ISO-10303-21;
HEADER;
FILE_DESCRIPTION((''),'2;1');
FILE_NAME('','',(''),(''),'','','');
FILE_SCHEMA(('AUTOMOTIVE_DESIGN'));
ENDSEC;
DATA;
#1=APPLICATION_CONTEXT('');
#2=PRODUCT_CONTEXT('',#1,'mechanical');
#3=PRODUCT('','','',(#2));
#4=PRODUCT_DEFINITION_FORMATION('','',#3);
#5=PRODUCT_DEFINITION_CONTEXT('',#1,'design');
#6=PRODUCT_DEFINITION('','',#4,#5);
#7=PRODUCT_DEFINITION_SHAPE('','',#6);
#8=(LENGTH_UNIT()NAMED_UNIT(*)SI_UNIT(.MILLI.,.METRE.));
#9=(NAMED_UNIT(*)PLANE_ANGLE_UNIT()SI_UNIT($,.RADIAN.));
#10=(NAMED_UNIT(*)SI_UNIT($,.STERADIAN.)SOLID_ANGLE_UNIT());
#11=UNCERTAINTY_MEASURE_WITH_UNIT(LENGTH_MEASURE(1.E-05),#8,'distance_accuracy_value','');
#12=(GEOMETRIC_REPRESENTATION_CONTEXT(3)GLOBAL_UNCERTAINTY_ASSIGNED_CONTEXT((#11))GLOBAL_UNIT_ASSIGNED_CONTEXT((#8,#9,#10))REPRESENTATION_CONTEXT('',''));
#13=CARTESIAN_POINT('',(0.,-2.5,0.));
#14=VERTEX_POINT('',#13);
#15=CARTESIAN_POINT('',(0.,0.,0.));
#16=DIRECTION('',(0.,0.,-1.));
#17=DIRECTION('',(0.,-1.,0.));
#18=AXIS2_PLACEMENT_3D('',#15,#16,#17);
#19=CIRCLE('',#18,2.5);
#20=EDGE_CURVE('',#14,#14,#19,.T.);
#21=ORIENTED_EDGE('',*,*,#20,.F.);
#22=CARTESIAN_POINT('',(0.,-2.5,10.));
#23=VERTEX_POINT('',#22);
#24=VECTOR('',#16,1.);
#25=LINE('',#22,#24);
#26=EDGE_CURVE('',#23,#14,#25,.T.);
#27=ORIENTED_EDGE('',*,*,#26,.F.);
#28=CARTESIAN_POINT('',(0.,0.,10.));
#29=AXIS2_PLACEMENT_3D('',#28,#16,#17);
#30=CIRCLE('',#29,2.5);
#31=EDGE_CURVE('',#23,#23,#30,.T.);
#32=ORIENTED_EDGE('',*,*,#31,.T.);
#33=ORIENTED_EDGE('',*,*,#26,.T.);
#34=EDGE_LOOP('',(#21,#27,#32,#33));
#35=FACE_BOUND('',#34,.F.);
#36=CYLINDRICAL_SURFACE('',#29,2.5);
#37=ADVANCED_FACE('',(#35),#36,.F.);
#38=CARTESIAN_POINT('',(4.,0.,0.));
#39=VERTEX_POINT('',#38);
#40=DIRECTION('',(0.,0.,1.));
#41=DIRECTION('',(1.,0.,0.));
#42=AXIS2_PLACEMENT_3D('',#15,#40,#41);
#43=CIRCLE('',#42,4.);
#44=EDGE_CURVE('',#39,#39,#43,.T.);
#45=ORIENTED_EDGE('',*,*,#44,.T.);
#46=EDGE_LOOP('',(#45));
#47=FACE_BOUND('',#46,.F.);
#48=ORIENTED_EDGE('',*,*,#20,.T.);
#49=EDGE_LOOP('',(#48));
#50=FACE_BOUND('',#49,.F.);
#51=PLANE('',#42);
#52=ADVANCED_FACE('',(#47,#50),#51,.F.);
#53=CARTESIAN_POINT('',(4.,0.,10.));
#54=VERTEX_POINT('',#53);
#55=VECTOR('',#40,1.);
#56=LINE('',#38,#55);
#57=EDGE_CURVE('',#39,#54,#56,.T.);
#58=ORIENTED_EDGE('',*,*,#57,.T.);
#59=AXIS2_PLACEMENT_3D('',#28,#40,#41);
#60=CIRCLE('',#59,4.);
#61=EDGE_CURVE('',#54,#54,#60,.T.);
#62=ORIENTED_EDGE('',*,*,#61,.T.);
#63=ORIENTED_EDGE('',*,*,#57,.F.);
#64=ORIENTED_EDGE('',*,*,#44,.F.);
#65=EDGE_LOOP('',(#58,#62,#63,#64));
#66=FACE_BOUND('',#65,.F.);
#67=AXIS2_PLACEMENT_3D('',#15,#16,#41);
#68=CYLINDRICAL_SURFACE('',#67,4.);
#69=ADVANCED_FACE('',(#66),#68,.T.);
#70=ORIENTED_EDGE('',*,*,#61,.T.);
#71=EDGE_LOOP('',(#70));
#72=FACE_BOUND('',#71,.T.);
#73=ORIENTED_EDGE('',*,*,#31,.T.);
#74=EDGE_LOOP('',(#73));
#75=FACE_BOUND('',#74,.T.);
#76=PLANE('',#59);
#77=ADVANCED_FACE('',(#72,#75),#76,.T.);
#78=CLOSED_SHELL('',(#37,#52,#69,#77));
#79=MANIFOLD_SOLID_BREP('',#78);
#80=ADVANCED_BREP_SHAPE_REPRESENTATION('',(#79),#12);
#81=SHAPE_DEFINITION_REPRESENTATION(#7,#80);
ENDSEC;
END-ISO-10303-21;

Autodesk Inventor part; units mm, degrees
ref_plane "YZ Plane" through (0, 0, 0) normal (1, 0, 0) x (0, 1, 0)
ref_plane "XZ Plane" through (0, 0, 0) normal (0, 1, 0) x (-1, 0, 0)
ref_plane "XY Plane" through (0, 0, 0) normal (0, 0, 1) x (1, 0, 0)
sketch "Sketch1" plane through (0, 0, 0) normal (0, 0, 1) x (1, 0, 0)
  circle A0 centre (0, 0) radius 4
  dimension "d0" = 8
extrude "Extrusion1" add sketch "Sketch1" along normal blind 10
sketch "Sketch2" plane through (0, 0, 10) normal (0, 0, 1) x (1, 0, 0)
  circle A0 centre (0, 0) radius 4 projected
hole "Hole1" at (0, 0, 10) direction (0, 0, -1) diameter 5 depth 10
thread "Thread1" size "M8x1.25" class "6g" standard "ISO Metric profile" length 11
properties part number "28" material "Copper"
